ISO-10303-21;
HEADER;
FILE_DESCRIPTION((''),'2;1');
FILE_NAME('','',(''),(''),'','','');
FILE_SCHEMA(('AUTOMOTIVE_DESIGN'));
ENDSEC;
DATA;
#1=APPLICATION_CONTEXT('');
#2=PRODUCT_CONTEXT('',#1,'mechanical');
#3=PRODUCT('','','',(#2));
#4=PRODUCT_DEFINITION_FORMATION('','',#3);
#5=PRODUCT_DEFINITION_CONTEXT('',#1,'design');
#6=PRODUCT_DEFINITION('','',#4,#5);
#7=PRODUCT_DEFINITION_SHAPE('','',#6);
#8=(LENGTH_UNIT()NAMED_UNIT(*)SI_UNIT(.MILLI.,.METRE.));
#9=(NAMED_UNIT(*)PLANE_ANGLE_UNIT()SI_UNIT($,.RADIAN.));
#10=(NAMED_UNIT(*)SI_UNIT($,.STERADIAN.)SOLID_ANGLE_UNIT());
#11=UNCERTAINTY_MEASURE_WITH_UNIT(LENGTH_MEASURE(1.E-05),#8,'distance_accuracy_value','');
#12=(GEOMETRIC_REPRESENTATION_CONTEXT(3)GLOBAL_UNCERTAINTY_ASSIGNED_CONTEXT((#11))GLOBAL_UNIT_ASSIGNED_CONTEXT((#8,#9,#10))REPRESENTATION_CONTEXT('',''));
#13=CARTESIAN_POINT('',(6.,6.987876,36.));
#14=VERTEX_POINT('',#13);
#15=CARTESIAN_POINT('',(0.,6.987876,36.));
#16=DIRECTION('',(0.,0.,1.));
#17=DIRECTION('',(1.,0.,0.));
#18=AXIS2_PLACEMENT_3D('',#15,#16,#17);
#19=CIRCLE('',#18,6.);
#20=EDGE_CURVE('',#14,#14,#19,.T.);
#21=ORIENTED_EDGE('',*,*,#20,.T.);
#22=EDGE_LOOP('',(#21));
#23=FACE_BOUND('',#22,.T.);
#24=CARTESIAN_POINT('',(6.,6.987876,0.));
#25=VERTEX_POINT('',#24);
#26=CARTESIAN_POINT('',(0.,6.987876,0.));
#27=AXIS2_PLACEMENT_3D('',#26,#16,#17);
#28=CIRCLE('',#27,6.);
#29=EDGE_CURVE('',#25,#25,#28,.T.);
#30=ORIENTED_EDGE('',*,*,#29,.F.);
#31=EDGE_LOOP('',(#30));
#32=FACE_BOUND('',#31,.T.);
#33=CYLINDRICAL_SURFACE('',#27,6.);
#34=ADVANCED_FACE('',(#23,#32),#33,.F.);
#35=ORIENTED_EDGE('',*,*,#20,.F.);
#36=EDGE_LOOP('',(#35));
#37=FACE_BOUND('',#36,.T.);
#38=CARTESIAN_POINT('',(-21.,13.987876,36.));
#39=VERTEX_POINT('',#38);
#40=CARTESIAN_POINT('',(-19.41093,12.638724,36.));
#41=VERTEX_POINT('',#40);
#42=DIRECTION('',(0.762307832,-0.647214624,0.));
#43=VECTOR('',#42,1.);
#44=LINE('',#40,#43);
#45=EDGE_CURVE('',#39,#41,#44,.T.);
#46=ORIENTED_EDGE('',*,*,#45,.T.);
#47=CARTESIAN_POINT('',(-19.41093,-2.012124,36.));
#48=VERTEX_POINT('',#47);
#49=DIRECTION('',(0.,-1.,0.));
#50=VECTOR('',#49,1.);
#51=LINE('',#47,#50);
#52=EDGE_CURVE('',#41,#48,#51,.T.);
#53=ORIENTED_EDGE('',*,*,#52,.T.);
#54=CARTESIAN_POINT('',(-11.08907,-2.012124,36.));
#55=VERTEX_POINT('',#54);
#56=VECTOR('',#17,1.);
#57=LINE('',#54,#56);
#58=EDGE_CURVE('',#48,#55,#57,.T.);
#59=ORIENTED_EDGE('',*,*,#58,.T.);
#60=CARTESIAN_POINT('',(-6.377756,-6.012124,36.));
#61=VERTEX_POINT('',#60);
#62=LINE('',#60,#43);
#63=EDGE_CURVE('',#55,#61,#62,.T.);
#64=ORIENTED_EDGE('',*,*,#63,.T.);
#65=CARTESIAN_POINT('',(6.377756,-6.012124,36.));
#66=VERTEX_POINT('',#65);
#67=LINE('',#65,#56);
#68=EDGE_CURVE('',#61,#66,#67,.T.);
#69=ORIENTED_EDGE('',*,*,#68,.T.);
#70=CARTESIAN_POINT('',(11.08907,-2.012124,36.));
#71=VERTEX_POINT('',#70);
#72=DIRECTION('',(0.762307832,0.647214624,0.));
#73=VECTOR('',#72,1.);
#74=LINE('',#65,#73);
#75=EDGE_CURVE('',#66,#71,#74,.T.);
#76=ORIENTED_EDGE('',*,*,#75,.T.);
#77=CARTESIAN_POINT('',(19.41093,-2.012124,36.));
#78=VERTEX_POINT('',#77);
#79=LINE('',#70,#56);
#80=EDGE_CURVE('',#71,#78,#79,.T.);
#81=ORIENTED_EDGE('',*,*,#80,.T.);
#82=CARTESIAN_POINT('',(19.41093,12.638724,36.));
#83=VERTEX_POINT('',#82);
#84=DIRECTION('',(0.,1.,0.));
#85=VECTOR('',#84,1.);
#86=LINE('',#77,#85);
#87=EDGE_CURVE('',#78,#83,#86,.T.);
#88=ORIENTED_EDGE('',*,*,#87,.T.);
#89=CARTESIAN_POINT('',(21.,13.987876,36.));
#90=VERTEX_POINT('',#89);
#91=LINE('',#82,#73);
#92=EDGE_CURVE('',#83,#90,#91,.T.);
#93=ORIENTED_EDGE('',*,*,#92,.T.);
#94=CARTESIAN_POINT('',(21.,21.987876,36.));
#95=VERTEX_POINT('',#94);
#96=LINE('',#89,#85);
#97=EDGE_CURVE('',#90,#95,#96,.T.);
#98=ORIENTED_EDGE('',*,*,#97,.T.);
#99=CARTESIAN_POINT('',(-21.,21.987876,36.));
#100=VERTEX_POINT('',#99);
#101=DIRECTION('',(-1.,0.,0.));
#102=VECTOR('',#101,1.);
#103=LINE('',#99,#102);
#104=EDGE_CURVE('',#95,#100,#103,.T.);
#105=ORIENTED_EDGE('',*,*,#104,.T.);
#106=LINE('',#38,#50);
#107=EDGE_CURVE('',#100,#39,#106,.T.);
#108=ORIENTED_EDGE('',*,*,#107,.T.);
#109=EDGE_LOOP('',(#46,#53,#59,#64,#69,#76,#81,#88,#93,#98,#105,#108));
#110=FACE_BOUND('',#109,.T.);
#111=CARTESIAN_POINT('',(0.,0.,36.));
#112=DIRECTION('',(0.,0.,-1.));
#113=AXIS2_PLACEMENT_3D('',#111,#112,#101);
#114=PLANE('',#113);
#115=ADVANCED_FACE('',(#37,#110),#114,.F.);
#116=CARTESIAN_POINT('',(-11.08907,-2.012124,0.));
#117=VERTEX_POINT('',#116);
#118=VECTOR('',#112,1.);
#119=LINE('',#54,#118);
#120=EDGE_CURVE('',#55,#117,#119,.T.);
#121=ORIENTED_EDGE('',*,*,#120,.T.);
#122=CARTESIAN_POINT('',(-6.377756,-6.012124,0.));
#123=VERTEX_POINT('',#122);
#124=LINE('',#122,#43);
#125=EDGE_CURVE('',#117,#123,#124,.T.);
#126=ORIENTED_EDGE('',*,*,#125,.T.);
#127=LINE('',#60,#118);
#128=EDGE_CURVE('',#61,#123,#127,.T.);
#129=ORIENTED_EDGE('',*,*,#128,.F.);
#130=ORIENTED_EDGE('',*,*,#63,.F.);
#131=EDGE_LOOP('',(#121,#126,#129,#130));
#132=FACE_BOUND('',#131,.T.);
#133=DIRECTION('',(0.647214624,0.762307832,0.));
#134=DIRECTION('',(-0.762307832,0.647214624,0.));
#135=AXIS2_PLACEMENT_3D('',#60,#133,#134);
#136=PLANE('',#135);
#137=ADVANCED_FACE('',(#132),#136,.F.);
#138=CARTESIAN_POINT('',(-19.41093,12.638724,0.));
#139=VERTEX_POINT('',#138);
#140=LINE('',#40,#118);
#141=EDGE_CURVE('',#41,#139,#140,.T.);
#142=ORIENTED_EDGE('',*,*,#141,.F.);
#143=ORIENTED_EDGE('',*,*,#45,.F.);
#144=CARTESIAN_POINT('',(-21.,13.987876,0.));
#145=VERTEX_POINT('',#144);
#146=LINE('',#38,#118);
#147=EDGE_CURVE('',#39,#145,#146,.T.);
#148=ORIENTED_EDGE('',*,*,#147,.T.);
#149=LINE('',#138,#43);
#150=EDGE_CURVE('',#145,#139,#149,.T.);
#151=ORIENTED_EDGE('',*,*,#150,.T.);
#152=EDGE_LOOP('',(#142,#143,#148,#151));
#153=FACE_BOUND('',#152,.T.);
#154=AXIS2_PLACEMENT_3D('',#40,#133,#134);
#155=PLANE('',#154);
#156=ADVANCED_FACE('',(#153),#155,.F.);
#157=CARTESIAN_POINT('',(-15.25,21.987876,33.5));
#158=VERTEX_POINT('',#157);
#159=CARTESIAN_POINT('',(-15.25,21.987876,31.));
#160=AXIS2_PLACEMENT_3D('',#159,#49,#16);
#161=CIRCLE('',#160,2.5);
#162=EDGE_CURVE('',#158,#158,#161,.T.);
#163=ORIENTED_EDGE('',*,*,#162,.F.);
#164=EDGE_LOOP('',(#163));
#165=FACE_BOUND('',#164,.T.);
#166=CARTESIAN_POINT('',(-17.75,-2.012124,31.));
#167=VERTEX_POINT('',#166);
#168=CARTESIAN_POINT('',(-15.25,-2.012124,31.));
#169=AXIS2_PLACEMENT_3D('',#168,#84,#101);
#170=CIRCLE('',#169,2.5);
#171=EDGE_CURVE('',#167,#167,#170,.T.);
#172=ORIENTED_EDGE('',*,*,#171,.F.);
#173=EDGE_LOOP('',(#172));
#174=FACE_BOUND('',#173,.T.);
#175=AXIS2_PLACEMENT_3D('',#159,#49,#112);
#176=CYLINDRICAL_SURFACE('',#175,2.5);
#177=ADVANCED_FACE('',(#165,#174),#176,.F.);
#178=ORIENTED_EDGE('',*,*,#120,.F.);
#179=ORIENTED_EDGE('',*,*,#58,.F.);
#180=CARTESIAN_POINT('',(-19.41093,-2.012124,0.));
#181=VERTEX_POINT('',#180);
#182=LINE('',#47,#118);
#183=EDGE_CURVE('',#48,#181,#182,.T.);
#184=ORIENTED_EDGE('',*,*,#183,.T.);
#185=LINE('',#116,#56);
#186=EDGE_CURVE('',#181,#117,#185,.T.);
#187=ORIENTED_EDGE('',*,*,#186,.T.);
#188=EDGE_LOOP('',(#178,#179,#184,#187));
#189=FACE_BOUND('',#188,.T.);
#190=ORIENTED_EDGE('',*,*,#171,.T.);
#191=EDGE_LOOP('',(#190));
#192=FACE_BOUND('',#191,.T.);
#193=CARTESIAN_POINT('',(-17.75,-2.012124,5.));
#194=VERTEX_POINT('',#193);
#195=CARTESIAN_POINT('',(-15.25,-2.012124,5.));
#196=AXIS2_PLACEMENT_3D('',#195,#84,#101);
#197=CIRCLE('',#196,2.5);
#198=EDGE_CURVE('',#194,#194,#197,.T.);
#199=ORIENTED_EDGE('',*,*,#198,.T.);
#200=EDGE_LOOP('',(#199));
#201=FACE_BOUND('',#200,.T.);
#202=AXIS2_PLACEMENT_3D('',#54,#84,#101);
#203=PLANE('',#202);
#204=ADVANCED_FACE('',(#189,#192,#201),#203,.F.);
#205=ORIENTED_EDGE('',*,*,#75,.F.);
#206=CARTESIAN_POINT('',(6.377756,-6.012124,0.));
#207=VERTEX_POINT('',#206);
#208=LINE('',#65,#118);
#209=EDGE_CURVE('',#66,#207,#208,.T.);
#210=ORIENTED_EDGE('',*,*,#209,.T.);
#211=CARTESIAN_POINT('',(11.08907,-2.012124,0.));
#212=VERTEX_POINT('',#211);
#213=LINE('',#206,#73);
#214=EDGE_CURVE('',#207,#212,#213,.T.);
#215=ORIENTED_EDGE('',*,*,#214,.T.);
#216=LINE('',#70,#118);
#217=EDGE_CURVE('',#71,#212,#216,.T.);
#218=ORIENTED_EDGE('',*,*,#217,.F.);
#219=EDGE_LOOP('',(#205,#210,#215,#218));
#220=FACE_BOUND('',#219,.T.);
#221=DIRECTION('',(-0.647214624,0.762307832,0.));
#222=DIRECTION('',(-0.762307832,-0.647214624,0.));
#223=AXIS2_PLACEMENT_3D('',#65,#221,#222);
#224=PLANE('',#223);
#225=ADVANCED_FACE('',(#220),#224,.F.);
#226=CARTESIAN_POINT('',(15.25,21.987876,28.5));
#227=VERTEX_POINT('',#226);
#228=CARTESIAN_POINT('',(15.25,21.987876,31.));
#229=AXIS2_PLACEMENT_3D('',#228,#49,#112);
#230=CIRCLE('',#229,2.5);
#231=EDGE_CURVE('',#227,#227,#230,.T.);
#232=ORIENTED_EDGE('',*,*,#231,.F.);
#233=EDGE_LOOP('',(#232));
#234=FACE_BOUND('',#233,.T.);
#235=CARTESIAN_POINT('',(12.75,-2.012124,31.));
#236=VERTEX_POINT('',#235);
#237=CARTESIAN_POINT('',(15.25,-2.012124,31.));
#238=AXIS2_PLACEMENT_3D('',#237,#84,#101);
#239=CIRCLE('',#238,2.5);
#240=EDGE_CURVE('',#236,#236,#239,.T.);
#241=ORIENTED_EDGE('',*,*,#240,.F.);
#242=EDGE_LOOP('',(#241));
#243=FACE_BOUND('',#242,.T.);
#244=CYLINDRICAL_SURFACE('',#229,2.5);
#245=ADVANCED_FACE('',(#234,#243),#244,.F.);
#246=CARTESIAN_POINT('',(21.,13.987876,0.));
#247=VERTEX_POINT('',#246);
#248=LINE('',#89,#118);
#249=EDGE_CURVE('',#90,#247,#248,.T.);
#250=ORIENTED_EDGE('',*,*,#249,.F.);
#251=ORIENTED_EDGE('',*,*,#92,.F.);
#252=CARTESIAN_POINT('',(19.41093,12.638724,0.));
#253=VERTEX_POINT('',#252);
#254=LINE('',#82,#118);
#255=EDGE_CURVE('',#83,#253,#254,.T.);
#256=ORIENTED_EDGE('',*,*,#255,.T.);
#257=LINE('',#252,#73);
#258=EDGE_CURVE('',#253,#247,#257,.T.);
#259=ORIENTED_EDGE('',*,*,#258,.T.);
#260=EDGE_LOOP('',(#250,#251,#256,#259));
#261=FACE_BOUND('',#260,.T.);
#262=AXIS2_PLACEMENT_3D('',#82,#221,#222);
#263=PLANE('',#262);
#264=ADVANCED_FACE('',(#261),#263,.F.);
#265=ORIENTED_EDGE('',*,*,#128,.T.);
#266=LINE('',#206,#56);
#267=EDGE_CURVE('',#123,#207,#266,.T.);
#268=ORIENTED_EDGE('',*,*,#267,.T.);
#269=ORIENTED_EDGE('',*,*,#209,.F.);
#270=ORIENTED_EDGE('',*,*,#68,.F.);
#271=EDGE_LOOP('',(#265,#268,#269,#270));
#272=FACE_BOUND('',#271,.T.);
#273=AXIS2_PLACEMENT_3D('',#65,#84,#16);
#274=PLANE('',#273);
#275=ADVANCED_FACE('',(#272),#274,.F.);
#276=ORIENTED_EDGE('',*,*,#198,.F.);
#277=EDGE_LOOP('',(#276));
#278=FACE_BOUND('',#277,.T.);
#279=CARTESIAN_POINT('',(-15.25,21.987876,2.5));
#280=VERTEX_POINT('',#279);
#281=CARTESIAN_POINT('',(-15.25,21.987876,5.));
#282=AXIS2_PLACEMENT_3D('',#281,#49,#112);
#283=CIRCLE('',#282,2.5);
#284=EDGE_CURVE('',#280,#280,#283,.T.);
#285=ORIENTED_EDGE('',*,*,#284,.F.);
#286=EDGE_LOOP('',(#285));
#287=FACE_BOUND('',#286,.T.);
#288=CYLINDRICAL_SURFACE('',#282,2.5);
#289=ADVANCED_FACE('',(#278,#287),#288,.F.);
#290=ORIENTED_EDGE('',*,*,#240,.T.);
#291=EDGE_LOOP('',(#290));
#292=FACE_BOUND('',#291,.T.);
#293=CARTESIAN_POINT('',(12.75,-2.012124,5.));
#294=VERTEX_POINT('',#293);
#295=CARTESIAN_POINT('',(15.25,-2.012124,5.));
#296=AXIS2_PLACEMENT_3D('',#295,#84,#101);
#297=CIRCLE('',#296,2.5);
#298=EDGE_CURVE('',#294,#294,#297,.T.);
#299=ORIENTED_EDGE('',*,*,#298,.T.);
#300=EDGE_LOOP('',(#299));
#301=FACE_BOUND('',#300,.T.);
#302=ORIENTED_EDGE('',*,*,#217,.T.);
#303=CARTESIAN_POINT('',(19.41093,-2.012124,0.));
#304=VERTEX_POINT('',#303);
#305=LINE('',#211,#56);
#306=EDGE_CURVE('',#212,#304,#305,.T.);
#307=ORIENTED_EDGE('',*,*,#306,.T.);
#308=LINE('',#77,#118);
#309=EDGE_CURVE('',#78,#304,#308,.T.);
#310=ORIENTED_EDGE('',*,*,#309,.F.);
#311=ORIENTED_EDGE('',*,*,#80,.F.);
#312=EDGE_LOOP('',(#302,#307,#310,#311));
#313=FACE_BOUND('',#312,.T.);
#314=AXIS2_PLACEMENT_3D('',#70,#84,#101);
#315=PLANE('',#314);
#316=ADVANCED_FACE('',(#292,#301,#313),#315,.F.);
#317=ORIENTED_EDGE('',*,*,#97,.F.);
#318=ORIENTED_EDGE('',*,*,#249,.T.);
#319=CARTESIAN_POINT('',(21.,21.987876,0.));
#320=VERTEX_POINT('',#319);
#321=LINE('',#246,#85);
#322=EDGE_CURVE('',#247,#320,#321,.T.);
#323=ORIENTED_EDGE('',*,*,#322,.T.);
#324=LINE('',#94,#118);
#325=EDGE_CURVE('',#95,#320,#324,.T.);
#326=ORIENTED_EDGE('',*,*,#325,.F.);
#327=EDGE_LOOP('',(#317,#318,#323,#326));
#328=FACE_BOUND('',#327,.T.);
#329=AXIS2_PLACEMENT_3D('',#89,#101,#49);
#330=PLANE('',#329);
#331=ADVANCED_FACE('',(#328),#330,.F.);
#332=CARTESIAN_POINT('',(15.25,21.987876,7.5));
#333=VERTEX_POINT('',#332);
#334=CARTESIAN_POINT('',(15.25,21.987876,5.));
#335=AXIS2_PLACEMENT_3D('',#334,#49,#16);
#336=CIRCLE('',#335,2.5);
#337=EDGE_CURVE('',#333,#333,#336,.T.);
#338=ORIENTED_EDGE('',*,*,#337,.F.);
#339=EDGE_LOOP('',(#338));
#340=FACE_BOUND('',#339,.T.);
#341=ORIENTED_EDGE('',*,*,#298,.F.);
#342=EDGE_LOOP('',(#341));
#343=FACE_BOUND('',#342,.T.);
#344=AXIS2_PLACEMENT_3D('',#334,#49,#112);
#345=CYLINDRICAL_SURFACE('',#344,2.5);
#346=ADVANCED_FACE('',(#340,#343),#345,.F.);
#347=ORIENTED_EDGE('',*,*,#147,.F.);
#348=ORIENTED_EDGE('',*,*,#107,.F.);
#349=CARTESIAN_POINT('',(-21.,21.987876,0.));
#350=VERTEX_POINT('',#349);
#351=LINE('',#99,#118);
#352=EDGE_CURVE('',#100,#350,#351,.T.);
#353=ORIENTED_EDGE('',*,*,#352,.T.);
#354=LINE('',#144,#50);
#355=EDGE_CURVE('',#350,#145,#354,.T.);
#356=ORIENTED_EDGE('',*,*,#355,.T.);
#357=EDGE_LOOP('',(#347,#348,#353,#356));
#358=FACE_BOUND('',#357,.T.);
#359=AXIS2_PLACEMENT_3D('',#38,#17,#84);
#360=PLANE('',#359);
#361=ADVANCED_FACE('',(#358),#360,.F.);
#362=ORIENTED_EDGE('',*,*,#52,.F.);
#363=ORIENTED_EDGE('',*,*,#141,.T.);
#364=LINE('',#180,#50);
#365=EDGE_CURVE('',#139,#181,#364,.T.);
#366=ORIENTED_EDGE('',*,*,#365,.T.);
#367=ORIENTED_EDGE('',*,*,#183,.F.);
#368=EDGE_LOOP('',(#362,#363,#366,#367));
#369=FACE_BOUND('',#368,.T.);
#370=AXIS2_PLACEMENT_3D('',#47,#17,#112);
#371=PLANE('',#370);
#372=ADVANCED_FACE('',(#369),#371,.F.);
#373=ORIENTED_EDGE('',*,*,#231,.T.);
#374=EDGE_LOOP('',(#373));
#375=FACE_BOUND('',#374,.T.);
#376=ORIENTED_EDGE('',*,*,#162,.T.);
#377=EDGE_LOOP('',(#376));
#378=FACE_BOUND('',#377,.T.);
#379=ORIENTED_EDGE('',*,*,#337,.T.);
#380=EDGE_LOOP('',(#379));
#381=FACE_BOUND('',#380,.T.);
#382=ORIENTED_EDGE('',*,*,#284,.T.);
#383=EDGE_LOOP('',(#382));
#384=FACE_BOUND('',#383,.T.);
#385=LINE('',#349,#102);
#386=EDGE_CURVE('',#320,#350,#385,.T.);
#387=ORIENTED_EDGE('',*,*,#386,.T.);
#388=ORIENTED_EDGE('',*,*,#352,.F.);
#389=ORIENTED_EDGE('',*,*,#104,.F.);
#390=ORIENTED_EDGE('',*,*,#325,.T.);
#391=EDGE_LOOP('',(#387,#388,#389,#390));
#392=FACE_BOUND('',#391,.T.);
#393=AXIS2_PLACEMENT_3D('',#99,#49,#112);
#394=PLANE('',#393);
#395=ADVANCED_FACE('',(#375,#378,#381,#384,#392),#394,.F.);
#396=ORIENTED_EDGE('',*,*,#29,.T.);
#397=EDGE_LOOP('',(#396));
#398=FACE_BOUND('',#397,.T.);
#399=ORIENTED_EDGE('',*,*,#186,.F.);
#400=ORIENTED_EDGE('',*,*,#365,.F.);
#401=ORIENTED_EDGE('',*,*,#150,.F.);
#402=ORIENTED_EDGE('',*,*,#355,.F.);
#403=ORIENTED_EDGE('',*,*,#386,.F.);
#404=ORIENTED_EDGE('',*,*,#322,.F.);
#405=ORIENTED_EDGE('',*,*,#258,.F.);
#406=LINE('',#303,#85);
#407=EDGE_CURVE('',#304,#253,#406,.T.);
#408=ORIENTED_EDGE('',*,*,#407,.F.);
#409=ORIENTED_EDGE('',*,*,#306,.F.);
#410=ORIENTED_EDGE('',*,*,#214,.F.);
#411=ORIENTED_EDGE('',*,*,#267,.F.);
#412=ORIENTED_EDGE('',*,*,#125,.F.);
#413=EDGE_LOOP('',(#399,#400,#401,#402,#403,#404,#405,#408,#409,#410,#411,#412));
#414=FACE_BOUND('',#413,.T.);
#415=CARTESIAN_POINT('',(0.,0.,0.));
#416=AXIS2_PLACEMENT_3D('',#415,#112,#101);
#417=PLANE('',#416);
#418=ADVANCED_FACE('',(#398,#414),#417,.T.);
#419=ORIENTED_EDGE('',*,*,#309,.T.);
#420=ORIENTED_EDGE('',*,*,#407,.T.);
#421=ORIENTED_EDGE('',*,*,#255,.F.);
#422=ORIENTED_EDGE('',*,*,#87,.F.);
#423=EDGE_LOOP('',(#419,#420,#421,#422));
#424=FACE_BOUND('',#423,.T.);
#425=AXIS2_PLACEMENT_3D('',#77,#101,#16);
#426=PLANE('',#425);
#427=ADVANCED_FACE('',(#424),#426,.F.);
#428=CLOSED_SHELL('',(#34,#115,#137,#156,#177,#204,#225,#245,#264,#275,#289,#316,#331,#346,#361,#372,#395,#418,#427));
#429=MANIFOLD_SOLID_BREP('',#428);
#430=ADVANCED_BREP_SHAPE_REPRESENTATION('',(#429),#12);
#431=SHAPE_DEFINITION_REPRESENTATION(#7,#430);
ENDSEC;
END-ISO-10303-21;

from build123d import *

# Parameters (mm, degrees)
RESSALTO_EXTRUS_O1_DEPTH = 36
ESBO_O2_R                = 6
CORTE_EXTRUS_O1_DEPTH    = 37
ESBO_O4_R                = 2.5
CORTE_EXTRUS_O2_DEPTH    = 29


with BuildPart() as part:
    # Esboço1 → Ressalto-extrusão1 (new body)
    with BuildSketch(Plane.XY):
        Polygon((6.3777561, -6.012123693), (-6.3777561, -6.012123693), (-11.089070113, -2.012123693), (-19.410929887, -2.012123693), (-19.410929887, 12.63872394), (-21, 13.987876307), (-21, 21.987876307), (21, 21.987876307), (21, 13.987876307), (19.410929887, 12.63872394), (19.410929887, -2.012123693), (11.089070113, -2.012123693), align=None)
    extrude(amount=RESSALTO_EXTRUS_O1_DEPTH)

    # Esboço2 → Corte-extrusão1 (cut, through all)
    with BuildSketch(Plane.XY.offset(36)):
        with Locations((0, 6.987876307)):
            Circle(ESBO_O2_R)
    extrude(amount=-CORTE_EXTRUS_O1_DEPTH, mode=Mode.SUBTRACT)

    # Esboço4 → Corte-extrusão2 (cut, through all)
    with BuildSketch(Plane.XZ.offset(6.012123693)):
        with Locations((-15.25, 5)):
            Circle(ESBO_O4_R)
        with Locations((-15.25, 31)):
            Circle(ESBO_O4_R)
        with Locations((15.25, 5)):
            Circle(ESBO_O4_R)
        with Locations((15.25, 31)):
            Circle(ESBO_O4_R)
    extrude(amount=-CORTE_EXTRUS_O2_DEPTH, mode=Mode.SUBTRACT)


solid = part.part
